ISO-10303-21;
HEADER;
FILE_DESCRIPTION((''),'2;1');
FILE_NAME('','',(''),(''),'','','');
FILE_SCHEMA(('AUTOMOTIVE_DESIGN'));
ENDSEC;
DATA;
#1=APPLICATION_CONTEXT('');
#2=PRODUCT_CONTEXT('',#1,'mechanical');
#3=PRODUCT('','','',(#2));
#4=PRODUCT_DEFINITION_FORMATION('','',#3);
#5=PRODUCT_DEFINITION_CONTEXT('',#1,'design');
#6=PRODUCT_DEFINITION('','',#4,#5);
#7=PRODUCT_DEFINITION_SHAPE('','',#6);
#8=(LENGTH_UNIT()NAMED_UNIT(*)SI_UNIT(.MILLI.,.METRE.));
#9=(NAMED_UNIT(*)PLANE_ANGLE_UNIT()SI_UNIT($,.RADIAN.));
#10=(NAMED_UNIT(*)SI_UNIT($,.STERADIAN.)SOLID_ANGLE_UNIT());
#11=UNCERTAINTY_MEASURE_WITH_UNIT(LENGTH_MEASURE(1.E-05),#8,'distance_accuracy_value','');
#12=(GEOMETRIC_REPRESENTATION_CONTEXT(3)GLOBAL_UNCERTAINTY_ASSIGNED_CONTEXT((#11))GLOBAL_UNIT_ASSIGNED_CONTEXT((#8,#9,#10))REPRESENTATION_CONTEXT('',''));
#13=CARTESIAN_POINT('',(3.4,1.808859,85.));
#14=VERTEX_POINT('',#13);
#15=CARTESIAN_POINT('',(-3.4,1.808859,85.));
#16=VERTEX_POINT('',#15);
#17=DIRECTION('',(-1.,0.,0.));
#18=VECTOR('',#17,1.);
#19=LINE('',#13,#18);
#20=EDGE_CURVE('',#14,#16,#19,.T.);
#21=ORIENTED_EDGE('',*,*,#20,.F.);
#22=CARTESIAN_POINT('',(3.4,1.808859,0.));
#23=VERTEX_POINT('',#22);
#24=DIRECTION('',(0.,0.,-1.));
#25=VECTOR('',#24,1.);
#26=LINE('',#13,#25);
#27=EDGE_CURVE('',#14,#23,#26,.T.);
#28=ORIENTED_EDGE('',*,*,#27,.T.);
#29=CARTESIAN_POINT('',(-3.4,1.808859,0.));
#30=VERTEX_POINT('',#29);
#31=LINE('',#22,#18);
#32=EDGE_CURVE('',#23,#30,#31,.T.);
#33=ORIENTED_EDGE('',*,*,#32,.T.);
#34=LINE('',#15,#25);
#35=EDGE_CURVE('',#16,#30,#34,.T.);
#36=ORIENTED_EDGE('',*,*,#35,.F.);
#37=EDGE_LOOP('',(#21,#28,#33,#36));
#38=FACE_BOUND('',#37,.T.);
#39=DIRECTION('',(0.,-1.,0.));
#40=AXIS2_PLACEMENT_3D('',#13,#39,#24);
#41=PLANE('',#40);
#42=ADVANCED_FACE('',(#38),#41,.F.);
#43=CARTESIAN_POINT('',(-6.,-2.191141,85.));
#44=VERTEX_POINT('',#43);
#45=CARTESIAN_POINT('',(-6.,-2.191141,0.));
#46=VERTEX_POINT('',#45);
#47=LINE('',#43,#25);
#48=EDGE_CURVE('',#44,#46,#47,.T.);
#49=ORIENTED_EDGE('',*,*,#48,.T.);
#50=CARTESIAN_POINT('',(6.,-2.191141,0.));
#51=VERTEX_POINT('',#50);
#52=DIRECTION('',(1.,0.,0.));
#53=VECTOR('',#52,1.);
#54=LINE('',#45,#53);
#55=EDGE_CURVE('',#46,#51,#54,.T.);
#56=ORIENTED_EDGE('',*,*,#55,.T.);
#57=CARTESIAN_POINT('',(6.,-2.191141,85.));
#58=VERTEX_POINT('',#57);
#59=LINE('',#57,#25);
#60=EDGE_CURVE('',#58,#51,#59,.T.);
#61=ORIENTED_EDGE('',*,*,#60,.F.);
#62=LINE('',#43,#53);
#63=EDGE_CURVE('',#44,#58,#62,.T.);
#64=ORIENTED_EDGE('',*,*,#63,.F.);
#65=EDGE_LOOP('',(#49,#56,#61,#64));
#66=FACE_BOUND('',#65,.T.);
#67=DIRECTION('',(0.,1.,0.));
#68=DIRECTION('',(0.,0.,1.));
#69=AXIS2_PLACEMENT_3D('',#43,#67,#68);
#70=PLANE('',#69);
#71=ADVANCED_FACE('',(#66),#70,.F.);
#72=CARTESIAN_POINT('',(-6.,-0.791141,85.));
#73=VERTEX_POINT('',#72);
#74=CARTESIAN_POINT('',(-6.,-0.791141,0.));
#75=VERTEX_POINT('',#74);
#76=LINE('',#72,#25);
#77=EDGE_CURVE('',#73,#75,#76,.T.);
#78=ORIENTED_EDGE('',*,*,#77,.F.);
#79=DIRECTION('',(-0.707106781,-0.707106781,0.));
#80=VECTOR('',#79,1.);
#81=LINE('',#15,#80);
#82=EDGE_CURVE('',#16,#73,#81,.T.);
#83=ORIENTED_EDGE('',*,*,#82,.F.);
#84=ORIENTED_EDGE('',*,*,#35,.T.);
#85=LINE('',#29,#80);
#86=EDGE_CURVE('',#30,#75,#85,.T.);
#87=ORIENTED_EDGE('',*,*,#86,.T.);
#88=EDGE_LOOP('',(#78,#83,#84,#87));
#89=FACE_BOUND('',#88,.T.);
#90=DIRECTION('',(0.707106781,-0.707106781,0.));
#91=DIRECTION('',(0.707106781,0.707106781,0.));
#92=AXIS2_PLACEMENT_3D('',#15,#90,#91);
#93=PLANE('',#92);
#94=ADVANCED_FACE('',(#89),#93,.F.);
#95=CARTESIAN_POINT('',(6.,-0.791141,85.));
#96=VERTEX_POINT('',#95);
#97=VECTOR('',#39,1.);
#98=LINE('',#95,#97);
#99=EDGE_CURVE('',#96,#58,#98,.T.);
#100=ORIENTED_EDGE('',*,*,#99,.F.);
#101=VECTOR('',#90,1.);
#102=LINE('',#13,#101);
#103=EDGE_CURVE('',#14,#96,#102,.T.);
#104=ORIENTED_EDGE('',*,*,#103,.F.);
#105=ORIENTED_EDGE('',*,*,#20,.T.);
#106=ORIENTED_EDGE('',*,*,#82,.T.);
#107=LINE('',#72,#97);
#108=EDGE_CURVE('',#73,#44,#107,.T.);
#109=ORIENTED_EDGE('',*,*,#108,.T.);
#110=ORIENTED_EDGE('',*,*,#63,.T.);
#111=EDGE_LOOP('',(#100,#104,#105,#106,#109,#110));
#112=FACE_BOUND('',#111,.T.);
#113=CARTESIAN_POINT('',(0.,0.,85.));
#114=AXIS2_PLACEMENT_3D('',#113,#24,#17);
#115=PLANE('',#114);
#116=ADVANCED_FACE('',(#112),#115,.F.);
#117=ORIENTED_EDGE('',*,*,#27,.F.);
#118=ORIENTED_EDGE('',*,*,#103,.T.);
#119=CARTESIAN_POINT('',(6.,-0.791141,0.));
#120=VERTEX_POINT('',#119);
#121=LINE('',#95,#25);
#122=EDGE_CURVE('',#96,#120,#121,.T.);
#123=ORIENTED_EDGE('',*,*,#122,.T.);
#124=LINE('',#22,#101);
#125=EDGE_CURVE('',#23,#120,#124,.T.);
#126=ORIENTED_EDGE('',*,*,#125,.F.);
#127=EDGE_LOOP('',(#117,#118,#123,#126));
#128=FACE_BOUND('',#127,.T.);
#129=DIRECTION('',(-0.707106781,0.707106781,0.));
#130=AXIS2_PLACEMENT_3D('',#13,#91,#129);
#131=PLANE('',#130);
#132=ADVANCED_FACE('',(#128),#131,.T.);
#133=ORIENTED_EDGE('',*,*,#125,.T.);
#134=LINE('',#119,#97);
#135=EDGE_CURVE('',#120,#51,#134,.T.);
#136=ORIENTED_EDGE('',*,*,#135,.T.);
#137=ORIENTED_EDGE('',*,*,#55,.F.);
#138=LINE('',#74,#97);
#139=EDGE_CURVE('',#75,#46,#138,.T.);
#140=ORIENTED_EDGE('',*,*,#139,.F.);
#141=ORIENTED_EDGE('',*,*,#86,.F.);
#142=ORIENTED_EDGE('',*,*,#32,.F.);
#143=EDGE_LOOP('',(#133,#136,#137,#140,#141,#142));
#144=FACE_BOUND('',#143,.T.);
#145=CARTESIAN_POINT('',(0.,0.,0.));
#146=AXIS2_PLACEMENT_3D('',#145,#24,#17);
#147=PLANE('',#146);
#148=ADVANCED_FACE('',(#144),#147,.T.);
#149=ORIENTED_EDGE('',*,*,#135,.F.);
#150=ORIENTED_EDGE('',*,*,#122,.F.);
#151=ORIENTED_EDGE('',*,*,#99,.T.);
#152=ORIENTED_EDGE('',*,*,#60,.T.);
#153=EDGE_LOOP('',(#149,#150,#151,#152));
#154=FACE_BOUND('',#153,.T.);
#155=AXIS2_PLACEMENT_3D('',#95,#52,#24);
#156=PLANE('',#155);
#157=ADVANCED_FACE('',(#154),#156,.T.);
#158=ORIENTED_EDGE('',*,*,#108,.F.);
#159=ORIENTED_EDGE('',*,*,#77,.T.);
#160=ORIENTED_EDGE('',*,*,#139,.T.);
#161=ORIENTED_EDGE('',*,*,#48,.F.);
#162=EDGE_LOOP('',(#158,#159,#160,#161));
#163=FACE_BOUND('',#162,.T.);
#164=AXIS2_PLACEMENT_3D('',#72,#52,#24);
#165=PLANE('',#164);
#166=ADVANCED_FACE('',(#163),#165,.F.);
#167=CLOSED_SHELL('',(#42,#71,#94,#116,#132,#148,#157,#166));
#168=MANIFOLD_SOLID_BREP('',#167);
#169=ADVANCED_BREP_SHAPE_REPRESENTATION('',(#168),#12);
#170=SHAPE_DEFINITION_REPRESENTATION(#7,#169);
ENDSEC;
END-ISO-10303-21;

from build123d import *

# Parameters (mm, degrees)
AUFSATZ_LINEAR_AUSTRAGEN1_DEPTH = 85


with BuildPart() as part:
    # Skizze1 → Aufsatz-Linear austragen1 (new body)
    with BuildSketch(Plane.XY):
        Polygon((3.4, 1.808858787), (-3.4, 1.808858787), (-6, -0.791141213), (-6, -2.191141213), (6, -2.191141213), (6, -0.791141213), align=None)
    extrude(amount=AUFSATZ_LINEAR_AUSTRAGEN1_DEPTH)


solid = part.part
